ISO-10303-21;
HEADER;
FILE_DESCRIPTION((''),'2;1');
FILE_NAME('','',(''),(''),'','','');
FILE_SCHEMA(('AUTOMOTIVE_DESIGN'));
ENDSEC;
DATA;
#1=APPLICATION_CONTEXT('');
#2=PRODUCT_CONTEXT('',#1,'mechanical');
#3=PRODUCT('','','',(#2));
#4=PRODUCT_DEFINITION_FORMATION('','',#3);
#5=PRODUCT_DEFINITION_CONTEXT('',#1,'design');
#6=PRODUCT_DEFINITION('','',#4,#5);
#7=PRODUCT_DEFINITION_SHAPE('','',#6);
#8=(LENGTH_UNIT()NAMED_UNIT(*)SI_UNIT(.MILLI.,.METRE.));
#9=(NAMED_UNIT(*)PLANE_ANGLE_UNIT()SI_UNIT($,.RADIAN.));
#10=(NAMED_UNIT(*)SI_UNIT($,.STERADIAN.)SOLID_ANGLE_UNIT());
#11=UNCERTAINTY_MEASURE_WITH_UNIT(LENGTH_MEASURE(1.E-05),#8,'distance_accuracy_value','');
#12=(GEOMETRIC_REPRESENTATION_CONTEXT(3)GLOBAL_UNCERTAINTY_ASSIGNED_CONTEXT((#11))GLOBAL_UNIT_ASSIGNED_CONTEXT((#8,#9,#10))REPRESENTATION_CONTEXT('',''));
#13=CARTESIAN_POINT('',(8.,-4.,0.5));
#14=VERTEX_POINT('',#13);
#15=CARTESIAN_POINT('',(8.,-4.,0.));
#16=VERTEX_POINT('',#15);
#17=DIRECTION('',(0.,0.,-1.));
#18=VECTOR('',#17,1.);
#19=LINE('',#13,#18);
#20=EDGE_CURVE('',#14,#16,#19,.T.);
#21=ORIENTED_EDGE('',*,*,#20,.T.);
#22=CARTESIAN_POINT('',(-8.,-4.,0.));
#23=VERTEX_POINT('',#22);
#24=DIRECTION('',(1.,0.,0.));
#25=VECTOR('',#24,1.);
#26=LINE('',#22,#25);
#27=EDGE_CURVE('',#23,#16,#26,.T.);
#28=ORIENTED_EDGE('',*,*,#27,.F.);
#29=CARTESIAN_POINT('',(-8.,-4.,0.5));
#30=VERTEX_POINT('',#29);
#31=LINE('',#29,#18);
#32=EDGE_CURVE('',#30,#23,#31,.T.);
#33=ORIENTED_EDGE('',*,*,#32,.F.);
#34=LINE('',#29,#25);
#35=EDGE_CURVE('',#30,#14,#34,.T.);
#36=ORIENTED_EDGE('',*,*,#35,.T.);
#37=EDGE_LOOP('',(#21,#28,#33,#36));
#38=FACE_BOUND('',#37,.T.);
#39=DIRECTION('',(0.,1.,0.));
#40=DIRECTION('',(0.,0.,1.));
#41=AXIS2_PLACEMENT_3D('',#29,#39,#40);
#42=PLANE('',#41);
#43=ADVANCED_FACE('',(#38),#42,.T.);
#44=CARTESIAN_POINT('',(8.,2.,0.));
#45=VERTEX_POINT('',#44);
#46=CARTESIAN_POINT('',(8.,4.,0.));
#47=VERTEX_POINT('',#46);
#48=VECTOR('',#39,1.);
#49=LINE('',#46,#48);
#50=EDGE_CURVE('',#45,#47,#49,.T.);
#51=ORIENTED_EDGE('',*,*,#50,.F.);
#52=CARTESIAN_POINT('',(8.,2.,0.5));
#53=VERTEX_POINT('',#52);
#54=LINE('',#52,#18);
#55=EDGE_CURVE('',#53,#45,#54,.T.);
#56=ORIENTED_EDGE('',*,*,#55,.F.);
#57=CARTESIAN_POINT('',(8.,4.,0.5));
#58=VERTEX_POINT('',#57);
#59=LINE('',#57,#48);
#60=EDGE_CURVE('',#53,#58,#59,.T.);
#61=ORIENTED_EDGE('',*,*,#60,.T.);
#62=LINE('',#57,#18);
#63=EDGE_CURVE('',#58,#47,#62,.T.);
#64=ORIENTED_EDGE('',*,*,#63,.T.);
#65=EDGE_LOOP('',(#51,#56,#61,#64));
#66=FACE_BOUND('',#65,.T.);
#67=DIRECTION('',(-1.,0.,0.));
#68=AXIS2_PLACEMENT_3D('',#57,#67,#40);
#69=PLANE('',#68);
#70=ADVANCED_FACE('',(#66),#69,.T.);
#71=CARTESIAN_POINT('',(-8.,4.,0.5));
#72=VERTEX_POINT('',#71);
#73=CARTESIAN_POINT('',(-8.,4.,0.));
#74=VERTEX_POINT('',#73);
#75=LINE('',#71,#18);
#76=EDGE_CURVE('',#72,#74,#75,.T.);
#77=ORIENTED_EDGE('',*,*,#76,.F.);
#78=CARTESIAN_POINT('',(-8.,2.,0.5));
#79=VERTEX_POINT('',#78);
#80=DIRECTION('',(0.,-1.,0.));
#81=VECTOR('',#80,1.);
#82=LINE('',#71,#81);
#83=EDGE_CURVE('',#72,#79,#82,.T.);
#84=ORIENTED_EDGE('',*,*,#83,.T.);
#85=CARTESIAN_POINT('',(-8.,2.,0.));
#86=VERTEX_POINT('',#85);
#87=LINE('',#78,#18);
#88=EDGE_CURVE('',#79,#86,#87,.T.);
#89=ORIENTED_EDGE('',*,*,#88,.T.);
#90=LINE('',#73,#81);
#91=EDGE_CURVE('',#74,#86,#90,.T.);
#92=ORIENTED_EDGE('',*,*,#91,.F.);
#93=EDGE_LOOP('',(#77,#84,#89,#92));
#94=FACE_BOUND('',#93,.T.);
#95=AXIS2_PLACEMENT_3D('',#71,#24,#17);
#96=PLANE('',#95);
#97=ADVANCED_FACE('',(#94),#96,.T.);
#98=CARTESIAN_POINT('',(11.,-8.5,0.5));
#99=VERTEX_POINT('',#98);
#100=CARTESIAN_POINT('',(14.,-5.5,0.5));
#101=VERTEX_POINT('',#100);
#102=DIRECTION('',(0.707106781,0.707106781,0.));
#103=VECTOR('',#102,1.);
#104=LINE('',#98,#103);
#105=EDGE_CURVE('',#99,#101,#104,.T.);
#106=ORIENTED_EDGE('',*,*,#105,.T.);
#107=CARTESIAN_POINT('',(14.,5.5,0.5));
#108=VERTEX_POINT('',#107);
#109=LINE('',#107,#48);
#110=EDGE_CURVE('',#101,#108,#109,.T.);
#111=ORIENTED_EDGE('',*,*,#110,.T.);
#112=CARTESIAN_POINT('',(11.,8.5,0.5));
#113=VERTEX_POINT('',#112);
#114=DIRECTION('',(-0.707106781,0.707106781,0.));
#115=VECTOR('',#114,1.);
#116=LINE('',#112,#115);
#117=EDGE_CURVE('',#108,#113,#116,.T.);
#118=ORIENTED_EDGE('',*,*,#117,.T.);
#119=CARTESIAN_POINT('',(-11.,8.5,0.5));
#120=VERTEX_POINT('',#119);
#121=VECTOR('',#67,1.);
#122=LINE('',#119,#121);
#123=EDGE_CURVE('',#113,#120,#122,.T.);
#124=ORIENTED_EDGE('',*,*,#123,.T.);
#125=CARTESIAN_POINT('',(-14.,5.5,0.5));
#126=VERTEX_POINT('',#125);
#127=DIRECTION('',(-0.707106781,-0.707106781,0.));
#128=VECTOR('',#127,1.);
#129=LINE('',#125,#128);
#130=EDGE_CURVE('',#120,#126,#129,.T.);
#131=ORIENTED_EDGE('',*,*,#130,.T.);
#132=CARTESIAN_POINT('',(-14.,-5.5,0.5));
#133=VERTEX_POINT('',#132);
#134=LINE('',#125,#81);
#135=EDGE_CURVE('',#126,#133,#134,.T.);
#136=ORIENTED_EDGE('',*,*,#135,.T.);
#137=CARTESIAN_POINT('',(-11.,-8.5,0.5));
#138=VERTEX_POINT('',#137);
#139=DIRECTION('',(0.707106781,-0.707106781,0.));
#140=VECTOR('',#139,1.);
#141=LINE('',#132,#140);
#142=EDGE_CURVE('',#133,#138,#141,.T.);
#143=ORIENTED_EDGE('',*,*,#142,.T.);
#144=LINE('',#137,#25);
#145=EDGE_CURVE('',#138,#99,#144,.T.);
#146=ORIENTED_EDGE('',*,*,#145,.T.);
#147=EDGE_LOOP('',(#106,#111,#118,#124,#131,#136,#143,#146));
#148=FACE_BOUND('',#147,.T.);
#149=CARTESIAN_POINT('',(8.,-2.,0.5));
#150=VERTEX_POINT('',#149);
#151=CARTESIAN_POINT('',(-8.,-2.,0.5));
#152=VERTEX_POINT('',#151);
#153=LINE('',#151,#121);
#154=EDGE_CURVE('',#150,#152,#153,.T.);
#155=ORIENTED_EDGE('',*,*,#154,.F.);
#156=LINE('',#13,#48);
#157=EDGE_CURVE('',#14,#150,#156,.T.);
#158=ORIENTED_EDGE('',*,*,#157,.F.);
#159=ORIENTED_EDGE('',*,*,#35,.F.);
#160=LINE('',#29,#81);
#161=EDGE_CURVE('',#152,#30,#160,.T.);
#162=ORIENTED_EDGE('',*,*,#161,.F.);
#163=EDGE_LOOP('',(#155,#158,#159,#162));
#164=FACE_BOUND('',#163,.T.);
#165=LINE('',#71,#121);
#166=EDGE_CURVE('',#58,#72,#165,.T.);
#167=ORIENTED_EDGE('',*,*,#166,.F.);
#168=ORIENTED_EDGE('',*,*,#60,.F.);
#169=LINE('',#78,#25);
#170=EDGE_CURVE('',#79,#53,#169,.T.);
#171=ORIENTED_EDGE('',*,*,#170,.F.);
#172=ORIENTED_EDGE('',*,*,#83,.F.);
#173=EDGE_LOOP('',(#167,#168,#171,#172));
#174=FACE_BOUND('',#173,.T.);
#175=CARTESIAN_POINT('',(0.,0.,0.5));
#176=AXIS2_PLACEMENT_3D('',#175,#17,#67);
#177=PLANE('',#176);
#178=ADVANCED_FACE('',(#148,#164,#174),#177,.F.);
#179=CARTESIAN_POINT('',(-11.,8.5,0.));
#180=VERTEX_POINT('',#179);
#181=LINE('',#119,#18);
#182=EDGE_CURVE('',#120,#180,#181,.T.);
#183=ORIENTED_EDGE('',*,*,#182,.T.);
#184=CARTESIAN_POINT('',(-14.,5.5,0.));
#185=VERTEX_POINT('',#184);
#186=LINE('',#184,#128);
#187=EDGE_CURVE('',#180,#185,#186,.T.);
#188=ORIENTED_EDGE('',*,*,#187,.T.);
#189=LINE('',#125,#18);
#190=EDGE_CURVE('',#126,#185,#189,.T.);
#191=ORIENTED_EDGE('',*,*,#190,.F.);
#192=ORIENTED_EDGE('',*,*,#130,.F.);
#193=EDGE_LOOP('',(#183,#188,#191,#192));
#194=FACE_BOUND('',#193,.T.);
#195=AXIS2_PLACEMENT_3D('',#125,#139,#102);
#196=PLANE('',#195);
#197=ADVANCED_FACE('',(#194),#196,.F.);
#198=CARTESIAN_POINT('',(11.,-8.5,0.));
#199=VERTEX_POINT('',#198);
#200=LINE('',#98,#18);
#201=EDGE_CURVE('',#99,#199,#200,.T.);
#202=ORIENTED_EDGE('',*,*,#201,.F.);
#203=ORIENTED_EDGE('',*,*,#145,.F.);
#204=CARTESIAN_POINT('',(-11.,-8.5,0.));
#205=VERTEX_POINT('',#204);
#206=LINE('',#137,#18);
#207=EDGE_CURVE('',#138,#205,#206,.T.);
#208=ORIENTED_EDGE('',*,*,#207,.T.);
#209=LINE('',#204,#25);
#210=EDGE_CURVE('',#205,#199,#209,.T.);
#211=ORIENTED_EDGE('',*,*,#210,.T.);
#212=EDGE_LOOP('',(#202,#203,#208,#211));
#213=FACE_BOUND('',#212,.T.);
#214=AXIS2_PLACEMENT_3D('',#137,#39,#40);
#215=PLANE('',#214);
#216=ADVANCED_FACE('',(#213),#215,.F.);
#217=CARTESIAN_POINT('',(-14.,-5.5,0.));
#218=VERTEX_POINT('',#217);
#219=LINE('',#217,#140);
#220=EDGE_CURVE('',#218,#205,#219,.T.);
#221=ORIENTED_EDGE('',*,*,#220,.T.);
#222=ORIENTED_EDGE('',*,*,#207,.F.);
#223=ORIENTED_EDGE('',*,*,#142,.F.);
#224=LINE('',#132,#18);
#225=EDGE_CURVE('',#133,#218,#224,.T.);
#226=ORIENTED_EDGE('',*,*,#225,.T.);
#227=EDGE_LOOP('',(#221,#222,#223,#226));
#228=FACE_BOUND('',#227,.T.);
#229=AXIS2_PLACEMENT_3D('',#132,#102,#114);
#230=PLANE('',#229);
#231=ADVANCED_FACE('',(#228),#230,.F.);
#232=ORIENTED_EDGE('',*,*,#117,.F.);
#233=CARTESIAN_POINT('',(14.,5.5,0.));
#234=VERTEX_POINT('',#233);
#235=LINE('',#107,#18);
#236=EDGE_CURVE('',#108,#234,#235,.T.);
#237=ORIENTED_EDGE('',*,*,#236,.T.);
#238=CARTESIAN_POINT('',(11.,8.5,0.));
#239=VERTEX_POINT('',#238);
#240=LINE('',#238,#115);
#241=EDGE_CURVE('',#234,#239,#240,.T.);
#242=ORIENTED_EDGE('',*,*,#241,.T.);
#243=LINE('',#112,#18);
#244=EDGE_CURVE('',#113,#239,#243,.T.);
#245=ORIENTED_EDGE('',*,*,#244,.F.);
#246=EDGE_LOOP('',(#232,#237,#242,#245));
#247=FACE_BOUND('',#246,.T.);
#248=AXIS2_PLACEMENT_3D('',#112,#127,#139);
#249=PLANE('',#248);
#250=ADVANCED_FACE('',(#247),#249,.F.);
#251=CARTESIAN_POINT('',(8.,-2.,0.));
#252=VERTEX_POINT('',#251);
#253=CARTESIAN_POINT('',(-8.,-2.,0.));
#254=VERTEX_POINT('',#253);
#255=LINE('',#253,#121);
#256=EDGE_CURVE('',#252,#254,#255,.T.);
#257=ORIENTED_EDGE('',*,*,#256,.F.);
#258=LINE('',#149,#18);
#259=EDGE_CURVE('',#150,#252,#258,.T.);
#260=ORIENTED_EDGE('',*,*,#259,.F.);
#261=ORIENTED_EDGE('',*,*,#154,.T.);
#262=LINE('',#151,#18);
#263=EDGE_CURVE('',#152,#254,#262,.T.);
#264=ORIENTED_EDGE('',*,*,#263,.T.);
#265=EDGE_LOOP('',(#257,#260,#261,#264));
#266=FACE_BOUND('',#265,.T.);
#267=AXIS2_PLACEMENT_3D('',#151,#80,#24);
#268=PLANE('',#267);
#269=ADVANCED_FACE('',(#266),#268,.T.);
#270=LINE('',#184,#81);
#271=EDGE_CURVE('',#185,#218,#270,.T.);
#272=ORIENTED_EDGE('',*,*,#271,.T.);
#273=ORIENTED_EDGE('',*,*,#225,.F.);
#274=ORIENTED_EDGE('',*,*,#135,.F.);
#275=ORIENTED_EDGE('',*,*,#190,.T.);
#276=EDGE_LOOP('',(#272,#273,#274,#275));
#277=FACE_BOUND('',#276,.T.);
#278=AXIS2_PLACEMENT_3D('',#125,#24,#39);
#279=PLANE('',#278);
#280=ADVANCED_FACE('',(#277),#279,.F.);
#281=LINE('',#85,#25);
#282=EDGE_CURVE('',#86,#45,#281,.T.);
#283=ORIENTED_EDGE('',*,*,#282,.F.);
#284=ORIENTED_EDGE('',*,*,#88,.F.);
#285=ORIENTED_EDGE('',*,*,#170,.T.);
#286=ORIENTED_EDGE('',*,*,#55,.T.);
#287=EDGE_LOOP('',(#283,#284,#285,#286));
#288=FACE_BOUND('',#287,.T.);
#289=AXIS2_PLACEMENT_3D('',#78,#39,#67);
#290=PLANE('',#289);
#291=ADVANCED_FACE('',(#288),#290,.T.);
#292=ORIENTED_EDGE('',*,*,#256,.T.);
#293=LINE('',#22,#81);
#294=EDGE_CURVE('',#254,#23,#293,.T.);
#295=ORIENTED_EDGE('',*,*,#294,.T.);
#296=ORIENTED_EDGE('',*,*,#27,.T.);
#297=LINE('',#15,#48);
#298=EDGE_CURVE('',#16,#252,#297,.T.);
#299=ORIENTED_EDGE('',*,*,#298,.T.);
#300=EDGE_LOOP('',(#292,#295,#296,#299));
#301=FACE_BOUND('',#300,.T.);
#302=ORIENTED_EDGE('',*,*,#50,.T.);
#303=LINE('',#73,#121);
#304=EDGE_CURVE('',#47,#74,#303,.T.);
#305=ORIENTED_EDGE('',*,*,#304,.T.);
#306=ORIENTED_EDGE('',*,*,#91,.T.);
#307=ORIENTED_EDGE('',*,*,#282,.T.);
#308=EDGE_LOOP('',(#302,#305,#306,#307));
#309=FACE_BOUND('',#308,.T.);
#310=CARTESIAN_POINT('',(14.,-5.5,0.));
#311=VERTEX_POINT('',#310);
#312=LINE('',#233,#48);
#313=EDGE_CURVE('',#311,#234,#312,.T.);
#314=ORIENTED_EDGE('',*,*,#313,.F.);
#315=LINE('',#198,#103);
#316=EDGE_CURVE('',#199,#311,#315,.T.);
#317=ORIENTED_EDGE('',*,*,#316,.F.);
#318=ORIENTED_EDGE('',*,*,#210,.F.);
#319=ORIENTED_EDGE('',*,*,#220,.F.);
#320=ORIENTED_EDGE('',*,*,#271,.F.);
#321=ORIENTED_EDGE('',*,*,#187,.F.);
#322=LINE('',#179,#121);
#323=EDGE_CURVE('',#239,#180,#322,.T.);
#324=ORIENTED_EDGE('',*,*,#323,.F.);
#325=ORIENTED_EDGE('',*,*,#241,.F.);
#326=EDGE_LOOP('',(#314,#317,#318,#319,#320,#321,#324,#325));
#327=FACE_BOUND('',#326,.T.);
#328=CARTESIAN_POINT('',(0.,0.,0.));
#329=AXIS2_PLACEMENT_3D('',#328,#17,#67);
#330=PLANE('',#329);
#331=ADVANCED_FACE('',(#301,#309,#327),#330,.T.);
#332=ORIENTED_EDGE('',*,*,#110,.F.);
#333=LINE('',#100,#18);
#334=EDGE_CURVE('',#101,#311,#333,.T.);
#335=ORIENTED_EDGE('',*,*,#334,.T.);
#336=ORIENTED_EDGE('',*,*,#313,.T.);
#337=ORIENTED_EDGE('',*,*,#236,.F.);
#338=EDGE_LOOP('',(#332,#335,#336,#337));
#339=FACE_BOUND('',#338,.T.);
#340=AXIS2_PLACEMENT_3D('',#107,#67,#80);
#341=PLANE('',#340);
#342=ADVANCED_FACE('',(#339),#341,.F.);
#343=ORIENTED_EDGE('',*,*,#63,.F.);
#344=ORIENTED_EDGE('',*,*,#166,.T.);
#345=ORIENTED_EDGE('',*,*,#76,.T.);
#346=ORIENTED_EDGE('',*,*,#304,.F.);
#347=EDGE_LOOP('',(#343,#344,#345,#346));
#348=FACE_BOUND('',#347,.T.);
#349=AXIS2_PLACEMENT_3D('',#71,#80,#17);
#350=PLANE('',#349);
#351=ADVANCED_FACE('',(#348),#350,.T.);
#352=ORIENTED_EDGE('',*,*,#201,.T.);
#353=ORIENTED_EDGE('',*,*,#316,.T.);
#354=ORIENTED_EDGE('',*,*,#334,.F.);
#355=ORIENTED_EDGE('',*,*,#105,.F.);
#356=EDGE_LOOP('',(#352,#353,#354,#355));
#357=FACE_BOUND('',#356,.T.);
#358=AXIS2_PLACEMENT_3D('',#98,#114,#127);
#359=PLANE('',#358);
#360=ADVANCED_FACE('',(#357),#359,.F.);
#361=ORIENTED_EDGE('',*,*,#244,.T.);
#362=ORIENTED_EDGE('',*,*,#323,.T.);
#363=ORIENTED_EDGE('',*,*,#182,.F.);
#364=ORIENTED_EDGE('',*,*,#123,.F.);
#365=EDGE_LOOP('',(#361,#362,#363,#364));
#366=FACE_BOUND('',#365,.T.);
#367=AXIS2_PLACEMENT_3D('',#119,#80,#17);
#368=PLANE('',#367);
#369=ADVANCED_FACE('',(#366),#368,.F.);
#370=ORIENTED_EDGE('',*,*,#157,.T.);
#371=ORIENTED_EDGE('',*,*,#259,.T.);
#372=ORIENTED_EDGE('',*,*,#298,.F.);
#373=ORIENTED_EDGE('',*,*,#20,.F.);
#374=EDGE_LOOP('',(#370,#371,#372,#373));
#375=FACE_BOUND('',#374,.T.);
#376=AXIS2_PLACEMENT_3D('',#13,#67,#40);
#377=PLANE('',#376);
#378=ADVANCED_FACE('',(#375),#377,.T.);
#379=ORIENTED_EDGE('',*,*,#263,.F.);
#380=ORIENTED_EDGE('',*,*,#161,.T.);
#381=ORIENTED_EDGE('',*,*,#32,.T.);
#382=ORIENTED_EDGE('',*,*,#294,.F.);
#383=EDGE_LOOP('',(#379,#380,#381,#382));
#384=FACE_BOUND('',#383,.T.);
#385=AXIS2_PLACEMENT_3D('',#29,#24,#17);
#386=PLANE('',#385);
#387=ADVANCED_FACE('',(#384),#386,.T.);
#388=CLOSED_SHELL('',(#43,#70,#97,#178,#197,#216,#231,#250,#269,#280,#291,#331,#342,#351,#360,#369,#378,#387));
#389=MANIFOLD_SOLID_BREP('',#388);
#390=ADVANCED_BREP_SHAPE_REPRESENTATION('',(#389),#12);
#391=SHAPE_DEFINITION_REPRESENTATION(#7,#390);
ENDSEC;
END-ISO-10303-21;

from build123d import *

# Parameters (mm, degrees)
SKETCH_1_W      = 16
SKETCH_1_H      = 2
EXTRUDE_1_DEPTH = 0.5


with BuildPart() as part:
    # 草图1 → 凸台-拉伸1 (new body)
    with BuildSketch(Plane.XY):
        Polygon((-14, 5.5), (-11, 8.5), (11, 8.5), (14, 5.5), (14, -5.5), (11, -8.5), (-11, -8.5), (-14, -5.5), align=None)
        with Locations((0, 3)):
            Rectangle(SKETCH_1_W, SKETCH_1_H, mode=Mode.SUBTRACT)
        with Locations((0, -3)):
            Rectangle(SKETCH_1_W, SKETCH_1_H, mode=Mode.SUBTRACT)
    extrude(amount=EXTRUDE_1_DEPTH)


solid = part.part
